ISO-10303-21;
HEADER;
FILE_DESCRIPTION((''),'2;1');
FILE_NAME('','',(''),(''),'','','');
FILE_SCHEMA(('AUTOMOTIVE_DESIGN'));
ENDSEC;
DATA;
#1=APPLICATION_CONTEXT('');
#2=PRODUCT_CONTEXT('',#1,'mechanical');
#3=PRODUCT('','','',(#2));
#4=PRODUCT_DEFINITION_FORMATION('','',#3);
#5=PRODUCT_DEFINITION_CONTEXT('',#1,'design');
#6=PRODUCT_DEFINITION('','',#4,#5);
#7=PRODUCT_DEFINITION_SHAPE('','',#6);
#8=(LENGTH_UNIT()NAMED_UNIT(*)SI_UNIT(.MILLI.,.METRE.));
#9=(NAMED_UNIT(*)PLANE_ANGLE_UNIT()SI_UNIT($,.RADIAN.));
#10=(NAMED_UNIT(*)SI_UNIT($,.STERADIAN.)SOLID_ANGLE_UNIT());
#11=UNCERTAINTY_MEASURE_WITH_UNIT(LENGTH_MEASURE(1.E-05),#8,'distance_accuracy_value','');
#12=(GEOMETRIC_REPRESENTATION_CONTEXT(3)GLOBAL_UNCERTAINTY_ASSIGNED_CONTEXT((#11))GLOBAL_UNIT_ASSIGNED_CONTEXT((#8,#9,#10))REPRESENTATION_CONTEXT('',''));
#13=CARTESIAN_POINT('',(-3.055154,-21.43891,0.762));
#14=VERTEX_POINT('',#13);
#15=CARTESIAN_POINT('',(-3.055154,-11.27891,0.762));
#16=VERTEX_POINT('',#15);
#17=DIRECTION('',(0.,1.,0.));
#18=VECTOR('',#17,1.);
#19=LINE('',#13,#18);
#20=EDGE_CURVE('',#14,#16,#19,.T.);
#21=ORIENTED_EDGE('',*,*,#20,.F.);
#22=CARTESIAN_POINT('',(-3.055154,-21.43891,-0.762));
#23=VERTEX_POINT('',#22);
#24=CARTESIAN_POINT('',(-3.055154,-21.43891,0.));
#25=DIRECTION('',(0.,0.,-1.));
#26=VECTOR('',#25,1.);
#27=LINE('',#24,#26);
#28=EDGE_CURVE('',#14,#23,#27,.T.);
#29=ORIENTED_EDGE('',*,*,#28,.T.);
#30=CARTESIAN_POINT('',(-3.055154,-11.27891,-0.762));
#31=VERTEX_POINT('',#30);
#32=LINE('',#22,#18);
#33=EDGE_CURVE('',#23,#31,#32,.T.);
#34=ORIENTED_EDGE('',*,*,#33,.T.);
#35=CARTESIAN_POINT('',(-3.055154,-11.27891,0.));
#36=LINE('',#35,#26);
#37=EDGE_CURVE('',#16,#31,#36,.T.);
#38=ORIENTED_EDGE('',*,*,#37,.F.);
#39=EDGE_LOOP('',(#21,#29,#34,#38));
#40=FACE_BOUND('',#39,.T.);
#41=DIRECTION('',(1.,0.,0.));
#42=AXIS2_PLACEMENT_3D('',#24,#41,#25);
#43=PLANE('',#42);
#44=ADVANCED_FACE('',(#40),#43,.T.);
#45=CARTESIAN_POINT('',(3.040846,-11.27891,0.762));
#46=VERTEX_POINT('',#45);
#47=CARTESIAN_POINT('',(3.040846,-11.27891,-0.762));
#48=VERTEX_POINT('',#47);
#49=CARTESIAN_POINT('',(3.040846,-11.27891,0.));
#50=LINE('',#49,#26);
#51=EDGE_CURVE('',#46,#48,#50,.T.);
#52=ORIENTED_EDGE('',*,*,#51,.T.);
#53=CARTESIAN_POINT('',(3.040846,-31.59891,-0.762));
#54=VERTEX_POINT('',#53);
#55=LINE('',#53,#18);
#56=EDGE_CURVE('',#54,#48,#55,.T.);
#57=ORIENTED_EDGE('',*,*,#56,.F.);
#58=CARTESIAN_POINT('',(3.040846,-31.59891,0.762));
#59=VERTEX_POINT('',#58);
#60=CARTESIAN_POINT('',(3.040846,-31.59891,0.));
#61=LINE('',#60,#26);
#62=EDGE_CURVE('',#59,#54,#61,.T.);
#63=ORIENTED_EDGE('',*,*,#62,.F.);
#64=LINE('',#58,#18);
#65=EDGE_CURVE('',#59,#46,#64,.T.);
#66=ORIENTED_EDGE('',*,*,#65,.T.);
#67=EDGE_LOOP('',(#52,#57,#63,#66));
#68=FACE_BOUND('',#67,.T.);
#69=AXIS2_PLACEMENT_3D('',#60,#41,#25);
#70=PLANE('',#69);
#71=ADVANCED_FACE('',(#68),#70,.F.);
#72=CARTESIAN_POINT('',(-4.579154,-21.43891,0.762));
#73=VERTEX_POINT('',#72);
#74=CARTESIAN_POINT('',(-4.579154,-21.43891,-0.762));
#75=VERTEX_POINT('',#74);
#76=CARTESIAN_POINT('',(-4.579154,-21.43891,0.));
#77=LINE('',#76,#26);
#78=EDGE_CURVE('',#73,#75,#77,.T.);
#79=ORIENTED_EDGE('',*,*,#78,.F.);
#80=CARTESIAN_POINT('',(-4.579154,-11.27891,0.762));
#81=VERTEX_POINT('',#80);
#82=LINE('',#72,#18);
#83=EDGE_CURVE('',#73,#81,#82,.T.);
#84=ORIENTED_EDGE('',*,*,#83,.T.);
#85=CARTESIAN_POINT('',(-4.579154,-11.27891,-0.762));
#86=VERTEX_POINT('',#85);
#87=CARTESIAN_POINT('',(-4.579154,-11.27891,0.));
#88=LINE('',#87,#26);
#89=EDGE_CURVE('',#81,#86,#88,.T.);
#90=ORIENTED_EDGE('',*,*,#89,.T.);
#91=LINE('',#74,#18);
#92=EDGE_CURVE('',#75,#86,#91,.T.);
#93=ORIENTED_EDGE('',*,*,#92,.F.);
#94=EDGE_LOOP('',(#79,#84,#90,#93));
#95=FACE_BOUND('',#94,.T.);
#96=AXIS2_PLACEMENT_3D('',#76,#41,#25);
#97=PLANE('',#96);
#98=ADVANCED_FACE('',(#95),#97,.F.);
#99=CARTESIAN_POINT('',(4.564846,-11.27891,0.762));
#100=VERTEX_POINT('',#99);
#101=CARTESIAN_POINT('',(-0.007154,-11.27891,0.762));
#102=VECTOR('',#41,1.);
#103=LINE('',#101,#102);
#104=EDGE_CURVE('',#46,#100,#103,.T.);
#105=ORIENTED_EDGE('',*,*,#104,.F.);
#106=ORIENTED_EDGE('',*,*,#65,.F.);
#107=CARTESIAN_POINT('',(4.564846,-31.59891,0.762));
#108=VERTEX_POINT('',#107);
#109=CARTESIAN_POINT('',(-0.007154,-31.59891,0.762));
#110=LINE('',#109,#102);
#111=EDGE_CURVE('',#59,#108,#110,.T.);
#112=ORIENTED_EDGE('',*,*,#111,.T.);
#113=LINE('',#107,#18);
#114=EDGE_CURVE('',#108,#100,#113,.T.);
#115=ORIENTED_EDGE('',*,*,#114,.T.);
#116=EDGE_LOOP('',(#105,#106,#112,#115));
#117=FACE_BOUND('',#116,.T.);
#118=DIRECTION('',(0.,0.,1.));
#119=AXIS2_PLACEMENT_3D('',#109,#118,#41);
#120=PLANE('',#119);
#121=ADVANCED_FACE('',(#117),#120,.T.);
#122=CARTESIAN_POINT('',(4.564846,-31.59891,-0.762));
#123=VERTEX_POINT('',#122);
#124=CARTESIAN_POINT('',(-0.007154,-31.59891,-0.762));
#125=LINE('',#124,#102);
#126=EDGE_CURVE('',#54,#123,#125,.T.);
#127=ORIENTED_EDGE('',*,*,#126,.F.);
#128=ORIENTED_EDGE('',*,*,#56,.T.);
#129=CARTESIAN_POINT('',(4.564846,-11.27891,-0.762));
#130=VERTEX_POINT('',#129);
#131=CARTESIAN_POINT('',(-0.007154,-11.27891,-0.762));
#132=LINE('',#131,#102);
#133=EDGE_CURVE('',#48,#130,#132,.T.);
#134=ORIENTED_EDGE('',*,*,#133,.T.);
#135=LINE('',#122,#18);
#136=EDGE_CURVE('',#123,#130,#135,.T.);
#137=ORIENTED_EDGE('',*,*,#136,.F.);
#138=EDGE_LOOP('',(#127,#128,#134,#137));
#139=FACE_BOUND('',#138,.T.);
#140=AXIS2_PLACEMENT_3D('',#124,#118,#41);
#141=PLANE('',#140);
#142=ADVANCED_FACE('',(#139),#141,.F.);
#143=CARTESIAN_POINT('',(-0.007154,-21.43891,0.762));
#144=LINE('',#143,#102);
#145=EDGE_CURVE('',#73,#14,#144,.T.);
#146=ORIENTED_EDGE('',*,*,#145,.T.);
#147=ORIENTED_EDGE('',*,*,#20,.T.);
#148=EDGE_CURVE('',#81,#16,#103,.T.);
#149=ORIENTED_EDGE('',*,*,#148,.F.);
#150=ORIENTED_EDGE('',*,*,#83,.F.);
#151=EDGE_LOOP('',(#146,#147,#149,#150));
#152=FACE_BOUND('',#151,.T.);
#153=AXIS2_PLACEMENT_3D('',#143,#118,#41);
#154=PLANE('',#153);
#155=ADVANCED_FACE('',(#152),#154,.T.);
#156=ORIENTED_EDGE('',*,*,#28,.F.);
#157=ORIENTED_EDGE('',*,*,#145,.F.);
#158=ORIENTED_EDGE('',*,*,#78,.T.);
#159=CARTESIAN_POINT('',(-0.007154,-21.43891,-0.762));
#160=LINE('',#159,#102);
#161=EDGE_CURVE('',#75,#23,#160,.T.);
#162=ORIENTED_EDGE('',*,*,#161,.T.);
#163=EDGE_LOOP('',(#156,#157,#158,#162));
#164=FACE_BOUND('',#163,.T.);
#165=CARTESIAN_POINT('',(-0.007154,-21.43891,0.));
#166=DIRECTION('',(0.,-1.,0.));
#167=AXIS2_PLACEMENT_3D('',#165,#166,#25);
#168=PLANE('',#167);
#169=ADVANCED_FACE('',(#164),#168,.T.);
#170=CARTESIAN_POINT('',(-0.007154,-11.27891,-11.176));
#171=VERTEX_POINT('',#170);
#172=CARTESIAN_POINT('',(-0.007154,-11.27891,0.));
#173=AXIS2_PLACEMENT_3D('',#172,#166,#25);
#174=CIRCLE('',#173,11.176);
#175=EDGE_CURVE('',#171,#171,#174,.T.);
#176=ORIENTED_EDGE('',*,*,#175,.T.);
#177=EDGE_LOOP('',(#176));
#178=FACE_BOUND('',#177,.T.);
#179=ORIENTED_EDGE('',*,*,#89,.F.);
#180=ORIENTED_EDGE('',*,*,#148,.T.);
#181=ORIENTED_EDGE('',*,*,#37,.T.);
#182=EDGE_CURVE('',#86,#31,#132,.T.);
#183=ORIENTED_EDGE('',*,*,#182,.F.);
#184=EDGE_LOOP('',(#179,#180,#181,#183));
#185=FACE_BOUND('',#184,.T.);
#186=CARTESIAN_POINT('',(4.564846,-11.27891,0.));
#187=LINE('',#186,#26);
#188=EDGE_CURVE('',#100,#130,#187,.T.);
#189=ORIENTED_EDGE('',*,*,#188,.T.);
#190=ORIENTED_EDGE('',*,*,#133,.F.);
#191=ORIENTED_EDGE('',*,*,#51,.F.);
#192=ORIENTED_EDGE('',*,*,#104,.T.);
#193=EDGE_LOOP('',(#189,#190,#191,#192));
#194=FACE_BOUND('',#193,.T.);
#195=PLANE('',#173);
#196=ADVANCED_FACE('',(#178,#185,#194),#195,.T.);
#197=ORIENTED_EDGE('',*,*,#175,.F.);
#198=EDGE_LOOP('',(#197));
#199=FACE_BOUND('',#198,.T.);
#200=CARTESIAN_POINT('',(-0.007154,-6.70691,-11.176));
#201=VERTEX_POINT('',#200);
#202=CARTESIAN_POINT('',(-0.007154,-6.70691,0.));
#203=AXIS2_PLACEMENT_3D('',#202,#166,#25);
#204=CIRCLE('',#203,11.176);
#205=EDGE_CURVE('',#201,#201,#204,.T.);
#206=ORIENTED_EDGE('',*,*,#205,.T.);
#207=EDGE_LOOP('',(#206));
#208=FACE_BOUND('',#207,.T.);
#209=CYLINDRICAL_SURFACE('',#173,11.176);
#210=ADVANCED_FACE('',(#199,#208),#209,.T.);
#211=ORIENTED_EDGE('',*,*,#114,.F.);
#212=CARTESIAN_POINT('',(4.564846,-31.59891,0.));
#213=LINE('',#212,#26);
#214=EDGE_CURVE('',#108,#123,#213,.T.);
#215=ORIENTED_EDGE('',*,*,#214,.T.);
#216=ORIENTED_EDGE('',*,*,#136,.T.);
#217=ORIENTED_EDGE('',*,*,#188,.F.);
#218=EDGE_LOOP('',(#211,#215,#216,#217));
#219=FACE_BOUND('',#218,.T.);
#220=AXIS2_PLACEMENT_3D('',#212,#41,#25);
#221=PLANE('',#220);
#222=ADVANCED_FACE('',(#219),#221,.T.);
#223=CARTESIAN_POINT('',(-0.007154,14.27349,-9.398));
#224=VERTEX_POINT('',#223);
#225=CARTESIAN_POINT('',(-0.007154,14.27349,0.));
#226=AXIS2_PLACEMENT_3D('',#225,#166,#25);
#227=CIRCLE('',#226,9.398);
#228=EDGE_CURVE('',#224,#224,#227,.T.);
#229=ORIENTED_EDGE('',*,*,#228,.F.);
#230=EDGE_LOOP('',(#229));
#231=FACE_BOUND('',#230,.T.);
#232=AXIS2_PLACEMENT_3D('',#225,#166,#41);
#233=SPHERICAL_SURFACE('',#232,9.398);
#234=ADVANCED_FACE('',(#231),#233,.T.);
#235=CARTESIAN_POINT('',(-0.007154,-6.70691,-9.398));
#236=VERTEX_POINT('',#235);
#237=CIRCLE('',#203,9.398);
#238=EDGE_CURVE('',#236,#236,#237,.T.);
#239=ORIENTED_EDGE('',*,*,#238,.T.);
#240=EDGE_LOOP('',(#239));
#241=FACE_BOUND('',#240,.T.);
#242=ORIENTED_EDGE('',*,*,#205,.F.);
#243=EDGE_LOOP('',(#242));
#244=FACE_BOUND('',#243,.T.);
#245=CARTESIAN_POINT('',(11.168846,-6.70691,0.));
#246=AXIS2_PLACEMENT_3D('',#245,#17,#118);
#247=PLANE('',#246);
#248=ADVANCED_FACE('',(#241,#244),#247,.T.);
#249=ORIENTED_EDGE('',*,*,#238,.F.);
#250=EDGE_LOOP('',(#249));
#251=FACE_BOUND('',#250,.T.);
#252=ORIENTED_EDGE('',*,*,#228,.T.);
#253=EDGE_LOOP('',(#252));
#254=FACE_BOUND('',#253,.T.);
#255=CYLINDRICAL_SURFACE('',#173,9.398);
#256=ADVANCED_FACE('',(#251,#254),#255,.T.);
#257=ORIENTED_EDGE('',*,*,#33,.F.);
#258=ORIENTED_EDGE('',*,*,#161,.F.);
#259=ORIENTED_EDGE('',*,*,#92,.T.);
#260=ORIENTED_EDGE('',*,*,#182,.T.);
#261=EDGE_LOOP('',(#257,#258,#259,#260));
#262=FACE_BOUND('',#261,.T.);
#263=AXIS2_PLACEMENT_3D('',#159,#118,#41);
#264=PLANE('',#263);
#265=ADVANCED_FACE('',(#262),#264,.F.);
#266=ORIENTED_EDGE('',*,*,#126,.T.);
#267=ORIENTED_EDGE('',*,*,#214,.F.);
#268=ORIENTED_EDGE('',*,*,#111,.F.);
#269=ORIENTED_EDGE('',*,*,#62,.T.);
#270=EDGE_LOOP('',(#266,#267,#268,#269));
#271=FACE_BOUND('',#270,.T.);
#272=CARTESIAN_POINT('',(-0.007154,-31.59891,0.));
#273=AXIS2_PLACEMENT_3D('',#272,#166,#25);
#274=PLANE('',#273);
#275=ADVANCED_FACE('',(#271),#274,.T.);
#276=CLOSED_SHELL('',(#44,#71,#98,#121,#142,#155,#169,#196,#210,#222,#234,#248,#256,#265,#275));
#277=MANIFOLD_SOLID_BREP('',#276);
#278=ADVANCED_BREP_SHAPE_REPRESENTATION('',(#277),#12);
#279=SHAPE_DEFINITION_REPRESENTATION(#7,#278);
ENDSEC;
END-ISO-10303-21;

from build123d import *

# Parameters (mm, degrees)
SKETCH3_W           = 0.381
SKETCH3_H           = 0.381
BOSS_EXTRUDE1_DEPTH = 5.08
SKETCH3_4_W         = 0.381
SKETCH3_4_H         = 0.381
BOSS_EXTRUDE2_DEPTH = 2.54
ECHELLE1_SCALE      = 4


with BuildPart() as part:
    # Sketch2 → Revolve1 (revolve)
    with BuildSketch(Plane.XY):
        with BuildLine():
            Line((0, 0), (2.794, 0))
            Line((2.794, 0), (2.794, 1.143))
            Line((2.794, 1.143), (2.3495, 1.143))
            Line((2.3495, 1.143), (2.3495, 6.3881))
            ThreePointArc((2.3495, 6.3881), (1.661347382, 8.049447382), (0, 8.7376))
            Line((0, 8.7376), (0, 0))
        make_face()
    revolve(axis=Axis((0, 0, 0), (0, 1, 0)))

    # Sketch3 → Boss-Extrude1 (add)
    with BuildSketch(Plane.XZ):
        with Locations((0.9525, 0)):
            Rectangle(SKETCH3_W, SKETCH3_H)
    extrude(amount=BOSS_EXTRUDE1_DEPTH)

    # Sketch3<4> → Boss-Extrude2 (add)
    with BuildSketch(Plane.XZ):
        with Locations((-0.9525, 0)):
            Rectangle(SKETCH3_4_W, SKETCH3_4_H)
    extrude(amount=BOSS_EXTRUDE2_DEPTH)


with BuildPart() as part_1:
    # Echelle1: scaled about (0.002384831, 3.75963667, 0)
    add(part.part.scale(ECHELLE1_SCALE).moved(Location((-0.007154493, -11.27891001, 0))))


solid = part_1.part
